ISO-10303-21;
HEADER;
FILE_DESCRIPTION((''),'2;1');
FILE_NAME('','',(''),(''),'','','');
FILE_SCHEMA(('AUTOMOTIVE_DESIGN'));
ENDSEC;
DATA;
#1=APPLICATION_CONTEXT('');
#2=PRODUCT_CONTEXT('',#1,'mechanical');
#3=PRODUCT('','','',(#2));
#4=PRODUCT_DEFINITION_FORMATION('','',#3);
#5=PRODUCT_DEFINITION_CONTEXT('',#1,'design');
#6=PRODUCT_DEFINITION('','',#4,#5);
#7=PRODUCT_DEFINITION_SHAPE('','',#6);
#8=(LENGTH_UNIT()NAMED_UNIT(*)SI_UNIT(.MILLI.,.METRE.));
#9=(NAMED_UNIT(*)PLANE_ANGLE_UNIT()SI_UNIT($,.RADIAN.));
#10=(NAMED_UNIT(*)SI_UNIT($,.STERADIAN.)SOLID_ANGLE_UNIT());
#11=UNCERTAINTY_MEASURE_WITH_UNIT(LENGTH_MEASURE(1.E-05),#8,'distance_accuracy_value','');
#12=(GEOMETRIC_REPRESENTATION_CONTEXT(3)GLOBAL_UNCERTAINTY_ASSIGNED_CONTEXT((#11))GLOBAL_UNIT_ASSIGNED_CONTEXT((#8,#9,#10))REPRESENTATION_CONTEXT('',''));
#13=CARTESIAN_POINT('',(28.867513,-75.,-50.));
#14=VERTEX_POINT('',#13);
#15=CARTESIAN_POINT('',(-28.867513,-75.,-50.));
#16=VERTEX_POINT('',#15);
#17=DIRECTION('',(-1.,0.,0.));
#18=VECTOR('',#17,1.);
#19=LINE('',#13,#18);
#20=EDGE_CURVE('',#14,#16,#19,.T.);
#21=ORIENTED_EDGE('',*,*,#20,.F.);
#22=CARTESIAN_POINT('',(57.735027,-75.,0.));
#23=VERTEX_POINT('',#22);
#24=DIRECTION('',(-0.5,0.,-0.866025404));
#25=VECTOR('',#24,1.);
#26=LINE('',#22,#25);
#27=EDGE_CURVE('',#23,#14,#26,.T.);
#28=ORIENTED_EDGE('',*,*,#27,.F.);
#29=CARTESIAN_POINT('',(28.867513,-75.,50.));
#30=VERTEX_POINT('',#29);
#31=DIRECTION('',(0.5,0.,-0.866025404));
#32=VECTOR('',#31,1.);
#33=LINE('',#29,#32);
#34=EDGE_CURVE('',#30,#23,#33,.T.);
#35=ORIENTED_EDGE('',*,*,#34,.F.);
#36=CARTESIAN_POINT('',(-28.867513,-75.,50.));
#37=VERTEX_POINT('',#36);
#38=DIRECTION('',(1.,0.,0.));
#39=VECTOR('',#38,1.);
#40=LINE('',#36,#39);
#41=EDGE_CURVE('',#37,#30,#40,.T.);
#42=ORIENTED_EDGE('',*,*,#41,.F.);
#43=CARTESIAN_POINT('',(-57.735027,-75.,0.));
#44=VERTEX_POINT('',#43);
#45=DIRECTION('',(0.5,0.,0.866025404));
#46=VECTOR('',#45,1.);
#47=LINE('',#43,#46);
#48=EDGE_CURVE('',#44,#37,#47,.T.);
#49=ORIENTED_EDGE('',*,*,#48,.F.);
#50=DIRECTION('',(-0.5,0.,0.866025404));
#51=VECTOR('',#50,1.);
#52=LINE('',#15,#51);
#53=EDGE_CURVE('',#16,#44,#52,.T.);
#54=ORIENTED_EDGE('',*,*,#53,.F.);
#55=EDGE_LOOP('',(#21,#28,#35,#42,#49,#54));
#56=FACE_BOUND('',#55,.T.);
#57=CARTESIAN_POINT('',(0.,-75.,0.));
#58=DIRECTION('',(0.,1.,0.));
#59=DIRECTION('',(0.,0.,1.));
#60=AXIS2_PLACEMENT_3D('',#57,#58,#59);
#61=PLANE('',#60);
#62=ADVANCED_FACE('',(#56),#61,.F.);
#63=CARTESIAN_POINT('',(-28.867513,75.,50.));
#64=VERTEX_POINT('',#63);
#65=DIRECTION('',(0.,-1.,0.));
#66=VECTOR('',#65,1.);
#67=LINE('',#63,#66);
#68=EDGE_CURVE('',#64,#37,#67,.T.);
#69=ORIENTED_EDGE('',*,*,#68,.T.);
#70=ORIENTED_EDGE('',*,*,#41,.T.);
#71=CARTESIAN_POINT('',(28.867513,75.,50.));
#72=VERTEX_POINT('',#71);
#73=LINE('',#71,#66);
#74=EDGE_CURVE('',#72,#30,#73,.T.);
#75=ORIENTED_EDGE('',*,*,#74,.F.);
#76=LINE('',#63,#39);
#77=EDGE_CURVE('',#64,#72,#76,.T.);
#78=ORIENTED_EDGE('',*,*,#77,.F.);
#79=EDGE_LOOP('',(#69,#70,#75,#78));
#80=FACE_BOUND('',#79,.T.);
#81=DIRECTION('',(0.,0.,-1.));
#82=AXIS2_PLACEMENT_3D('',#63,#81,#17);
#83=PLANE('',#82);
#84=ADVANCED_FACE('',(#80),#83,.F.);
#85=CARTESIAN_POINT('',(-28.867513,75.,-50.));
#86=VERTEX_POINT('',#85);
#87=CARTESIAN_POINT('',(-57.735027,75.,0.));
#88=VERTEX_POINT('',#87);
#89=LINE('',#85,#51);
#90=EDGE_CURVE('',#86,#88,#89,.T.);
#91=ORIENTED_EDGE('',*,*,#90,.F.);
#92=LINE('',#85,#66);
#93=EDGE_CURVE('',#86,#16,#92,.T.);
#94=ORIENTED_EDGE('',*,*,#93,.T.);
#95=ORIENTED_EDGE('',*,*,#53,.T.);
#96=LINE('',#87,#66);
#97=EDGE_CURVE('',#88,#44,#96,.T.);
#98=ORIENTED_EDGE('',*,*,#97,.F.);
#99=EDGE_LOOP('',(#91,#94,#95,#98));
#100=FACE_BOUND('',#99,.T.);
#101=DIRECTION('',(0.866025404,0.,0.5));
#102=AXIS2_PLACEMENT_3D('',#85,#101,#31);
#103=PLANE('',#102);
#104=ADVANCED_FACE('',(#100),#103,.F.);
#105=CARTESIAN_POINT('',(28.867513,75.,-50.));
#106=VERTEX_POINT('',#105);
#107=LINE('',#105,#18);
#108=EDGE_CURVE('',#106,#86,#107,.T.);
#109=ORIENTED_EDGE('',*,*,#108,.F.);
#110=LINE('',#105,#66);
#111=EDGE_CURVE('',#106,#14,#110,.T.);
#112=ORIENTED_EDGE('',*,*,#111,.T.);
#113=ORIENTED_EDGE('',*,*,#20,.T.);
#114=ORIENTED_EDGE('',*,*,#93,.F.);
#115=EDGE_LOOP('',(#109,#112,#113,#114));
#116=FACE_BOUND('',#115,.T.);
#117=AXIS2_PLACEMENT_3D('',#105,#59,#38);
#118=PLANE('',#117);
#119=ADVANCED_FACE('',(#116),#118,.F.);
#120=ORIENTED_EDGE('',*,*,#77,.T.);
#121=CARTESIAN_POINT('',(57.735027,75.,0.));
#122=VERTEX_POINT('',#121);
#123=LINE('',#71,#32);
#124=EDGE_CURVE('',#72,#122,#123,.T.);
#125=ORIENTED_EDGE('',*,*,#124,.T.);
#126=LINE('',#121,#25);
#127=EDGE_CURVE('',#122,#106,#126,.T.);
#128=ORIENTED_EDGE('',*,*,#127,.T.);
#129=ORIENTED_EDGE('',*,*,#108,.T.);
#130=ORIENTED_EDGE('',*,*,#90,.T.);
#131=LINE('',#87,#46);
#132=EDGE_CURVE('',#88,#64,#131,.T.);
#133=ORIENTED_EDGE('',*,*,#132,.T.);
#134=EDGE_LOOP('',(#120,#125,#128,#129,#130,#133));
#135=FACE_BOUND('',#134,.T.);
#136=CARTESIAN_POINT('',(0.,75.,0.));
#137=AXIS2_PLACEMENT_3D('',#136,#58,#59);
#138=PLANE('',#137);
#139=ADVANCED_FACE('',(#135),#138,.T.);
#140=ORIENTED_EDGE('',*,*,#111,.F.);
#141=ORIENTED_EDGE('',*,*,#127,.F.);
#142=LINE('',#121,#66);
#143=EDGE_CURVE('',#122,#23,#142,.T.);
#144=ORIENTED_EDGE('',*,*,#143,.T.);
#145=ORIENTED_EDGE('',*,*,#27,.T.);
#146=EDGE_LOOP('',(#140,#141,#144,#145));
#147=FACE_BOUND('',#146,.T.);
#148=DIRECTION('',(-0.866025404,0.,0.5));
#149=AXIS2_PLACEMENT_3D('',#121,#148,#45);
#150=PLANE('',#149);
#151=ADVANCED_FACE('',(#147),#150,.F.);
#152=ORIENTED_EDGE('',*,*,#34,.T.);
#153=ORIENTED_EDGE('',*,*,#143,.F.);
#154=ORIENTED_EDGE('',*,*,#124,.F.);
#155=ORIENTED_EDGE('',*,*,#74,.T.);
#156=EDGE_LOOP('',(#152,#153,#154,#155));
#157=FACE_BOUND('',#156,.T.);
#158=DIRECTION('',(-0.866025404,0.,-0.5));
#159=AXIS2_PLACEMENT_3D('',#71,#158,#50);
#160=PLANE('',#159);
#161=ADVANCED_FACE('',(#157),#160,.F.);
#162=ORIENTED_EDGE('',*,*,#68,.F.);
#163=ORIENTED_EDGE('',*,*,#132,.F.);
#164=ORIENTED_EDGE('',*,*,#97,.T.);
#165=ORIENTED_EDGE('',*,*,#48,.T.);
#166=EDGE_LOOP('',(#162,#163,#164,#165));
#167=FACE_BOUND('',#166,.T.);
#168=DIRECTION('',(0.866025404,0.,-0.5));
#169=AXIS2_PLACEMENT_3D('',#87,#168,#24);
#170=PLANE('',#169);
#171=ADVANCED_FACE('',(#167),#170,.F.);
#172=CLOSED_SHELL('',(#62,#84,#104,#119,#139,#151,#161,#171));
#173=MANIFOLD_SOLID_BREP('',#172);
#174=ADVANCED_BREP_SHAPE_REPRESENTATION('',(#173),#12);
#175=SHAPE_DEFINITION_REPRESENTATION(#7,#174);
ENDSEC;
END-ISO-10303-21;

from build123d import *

# Parameters (mm, degrees)
EXTRUDE_1_DEPTH = 75


with BuildPart() as part:
    # 草图1 → 凸台-拉伸1 (new, symmetric)
    with BuildSketch(Plane(origin=(0, 0, 0), x_dir=(1, 0, 0), z_dir=(0, 1, 0))):
        Polygon((57.735026919, 0), (28.867513459, 50), (-28.867513459, 50), (-57.735026919, 0), (-28.867513459, -50), (28.867513459, -50), align=None)
    extrude(amount=EXTRUDE_1_DEPTH, both=True)


solid = part.part
